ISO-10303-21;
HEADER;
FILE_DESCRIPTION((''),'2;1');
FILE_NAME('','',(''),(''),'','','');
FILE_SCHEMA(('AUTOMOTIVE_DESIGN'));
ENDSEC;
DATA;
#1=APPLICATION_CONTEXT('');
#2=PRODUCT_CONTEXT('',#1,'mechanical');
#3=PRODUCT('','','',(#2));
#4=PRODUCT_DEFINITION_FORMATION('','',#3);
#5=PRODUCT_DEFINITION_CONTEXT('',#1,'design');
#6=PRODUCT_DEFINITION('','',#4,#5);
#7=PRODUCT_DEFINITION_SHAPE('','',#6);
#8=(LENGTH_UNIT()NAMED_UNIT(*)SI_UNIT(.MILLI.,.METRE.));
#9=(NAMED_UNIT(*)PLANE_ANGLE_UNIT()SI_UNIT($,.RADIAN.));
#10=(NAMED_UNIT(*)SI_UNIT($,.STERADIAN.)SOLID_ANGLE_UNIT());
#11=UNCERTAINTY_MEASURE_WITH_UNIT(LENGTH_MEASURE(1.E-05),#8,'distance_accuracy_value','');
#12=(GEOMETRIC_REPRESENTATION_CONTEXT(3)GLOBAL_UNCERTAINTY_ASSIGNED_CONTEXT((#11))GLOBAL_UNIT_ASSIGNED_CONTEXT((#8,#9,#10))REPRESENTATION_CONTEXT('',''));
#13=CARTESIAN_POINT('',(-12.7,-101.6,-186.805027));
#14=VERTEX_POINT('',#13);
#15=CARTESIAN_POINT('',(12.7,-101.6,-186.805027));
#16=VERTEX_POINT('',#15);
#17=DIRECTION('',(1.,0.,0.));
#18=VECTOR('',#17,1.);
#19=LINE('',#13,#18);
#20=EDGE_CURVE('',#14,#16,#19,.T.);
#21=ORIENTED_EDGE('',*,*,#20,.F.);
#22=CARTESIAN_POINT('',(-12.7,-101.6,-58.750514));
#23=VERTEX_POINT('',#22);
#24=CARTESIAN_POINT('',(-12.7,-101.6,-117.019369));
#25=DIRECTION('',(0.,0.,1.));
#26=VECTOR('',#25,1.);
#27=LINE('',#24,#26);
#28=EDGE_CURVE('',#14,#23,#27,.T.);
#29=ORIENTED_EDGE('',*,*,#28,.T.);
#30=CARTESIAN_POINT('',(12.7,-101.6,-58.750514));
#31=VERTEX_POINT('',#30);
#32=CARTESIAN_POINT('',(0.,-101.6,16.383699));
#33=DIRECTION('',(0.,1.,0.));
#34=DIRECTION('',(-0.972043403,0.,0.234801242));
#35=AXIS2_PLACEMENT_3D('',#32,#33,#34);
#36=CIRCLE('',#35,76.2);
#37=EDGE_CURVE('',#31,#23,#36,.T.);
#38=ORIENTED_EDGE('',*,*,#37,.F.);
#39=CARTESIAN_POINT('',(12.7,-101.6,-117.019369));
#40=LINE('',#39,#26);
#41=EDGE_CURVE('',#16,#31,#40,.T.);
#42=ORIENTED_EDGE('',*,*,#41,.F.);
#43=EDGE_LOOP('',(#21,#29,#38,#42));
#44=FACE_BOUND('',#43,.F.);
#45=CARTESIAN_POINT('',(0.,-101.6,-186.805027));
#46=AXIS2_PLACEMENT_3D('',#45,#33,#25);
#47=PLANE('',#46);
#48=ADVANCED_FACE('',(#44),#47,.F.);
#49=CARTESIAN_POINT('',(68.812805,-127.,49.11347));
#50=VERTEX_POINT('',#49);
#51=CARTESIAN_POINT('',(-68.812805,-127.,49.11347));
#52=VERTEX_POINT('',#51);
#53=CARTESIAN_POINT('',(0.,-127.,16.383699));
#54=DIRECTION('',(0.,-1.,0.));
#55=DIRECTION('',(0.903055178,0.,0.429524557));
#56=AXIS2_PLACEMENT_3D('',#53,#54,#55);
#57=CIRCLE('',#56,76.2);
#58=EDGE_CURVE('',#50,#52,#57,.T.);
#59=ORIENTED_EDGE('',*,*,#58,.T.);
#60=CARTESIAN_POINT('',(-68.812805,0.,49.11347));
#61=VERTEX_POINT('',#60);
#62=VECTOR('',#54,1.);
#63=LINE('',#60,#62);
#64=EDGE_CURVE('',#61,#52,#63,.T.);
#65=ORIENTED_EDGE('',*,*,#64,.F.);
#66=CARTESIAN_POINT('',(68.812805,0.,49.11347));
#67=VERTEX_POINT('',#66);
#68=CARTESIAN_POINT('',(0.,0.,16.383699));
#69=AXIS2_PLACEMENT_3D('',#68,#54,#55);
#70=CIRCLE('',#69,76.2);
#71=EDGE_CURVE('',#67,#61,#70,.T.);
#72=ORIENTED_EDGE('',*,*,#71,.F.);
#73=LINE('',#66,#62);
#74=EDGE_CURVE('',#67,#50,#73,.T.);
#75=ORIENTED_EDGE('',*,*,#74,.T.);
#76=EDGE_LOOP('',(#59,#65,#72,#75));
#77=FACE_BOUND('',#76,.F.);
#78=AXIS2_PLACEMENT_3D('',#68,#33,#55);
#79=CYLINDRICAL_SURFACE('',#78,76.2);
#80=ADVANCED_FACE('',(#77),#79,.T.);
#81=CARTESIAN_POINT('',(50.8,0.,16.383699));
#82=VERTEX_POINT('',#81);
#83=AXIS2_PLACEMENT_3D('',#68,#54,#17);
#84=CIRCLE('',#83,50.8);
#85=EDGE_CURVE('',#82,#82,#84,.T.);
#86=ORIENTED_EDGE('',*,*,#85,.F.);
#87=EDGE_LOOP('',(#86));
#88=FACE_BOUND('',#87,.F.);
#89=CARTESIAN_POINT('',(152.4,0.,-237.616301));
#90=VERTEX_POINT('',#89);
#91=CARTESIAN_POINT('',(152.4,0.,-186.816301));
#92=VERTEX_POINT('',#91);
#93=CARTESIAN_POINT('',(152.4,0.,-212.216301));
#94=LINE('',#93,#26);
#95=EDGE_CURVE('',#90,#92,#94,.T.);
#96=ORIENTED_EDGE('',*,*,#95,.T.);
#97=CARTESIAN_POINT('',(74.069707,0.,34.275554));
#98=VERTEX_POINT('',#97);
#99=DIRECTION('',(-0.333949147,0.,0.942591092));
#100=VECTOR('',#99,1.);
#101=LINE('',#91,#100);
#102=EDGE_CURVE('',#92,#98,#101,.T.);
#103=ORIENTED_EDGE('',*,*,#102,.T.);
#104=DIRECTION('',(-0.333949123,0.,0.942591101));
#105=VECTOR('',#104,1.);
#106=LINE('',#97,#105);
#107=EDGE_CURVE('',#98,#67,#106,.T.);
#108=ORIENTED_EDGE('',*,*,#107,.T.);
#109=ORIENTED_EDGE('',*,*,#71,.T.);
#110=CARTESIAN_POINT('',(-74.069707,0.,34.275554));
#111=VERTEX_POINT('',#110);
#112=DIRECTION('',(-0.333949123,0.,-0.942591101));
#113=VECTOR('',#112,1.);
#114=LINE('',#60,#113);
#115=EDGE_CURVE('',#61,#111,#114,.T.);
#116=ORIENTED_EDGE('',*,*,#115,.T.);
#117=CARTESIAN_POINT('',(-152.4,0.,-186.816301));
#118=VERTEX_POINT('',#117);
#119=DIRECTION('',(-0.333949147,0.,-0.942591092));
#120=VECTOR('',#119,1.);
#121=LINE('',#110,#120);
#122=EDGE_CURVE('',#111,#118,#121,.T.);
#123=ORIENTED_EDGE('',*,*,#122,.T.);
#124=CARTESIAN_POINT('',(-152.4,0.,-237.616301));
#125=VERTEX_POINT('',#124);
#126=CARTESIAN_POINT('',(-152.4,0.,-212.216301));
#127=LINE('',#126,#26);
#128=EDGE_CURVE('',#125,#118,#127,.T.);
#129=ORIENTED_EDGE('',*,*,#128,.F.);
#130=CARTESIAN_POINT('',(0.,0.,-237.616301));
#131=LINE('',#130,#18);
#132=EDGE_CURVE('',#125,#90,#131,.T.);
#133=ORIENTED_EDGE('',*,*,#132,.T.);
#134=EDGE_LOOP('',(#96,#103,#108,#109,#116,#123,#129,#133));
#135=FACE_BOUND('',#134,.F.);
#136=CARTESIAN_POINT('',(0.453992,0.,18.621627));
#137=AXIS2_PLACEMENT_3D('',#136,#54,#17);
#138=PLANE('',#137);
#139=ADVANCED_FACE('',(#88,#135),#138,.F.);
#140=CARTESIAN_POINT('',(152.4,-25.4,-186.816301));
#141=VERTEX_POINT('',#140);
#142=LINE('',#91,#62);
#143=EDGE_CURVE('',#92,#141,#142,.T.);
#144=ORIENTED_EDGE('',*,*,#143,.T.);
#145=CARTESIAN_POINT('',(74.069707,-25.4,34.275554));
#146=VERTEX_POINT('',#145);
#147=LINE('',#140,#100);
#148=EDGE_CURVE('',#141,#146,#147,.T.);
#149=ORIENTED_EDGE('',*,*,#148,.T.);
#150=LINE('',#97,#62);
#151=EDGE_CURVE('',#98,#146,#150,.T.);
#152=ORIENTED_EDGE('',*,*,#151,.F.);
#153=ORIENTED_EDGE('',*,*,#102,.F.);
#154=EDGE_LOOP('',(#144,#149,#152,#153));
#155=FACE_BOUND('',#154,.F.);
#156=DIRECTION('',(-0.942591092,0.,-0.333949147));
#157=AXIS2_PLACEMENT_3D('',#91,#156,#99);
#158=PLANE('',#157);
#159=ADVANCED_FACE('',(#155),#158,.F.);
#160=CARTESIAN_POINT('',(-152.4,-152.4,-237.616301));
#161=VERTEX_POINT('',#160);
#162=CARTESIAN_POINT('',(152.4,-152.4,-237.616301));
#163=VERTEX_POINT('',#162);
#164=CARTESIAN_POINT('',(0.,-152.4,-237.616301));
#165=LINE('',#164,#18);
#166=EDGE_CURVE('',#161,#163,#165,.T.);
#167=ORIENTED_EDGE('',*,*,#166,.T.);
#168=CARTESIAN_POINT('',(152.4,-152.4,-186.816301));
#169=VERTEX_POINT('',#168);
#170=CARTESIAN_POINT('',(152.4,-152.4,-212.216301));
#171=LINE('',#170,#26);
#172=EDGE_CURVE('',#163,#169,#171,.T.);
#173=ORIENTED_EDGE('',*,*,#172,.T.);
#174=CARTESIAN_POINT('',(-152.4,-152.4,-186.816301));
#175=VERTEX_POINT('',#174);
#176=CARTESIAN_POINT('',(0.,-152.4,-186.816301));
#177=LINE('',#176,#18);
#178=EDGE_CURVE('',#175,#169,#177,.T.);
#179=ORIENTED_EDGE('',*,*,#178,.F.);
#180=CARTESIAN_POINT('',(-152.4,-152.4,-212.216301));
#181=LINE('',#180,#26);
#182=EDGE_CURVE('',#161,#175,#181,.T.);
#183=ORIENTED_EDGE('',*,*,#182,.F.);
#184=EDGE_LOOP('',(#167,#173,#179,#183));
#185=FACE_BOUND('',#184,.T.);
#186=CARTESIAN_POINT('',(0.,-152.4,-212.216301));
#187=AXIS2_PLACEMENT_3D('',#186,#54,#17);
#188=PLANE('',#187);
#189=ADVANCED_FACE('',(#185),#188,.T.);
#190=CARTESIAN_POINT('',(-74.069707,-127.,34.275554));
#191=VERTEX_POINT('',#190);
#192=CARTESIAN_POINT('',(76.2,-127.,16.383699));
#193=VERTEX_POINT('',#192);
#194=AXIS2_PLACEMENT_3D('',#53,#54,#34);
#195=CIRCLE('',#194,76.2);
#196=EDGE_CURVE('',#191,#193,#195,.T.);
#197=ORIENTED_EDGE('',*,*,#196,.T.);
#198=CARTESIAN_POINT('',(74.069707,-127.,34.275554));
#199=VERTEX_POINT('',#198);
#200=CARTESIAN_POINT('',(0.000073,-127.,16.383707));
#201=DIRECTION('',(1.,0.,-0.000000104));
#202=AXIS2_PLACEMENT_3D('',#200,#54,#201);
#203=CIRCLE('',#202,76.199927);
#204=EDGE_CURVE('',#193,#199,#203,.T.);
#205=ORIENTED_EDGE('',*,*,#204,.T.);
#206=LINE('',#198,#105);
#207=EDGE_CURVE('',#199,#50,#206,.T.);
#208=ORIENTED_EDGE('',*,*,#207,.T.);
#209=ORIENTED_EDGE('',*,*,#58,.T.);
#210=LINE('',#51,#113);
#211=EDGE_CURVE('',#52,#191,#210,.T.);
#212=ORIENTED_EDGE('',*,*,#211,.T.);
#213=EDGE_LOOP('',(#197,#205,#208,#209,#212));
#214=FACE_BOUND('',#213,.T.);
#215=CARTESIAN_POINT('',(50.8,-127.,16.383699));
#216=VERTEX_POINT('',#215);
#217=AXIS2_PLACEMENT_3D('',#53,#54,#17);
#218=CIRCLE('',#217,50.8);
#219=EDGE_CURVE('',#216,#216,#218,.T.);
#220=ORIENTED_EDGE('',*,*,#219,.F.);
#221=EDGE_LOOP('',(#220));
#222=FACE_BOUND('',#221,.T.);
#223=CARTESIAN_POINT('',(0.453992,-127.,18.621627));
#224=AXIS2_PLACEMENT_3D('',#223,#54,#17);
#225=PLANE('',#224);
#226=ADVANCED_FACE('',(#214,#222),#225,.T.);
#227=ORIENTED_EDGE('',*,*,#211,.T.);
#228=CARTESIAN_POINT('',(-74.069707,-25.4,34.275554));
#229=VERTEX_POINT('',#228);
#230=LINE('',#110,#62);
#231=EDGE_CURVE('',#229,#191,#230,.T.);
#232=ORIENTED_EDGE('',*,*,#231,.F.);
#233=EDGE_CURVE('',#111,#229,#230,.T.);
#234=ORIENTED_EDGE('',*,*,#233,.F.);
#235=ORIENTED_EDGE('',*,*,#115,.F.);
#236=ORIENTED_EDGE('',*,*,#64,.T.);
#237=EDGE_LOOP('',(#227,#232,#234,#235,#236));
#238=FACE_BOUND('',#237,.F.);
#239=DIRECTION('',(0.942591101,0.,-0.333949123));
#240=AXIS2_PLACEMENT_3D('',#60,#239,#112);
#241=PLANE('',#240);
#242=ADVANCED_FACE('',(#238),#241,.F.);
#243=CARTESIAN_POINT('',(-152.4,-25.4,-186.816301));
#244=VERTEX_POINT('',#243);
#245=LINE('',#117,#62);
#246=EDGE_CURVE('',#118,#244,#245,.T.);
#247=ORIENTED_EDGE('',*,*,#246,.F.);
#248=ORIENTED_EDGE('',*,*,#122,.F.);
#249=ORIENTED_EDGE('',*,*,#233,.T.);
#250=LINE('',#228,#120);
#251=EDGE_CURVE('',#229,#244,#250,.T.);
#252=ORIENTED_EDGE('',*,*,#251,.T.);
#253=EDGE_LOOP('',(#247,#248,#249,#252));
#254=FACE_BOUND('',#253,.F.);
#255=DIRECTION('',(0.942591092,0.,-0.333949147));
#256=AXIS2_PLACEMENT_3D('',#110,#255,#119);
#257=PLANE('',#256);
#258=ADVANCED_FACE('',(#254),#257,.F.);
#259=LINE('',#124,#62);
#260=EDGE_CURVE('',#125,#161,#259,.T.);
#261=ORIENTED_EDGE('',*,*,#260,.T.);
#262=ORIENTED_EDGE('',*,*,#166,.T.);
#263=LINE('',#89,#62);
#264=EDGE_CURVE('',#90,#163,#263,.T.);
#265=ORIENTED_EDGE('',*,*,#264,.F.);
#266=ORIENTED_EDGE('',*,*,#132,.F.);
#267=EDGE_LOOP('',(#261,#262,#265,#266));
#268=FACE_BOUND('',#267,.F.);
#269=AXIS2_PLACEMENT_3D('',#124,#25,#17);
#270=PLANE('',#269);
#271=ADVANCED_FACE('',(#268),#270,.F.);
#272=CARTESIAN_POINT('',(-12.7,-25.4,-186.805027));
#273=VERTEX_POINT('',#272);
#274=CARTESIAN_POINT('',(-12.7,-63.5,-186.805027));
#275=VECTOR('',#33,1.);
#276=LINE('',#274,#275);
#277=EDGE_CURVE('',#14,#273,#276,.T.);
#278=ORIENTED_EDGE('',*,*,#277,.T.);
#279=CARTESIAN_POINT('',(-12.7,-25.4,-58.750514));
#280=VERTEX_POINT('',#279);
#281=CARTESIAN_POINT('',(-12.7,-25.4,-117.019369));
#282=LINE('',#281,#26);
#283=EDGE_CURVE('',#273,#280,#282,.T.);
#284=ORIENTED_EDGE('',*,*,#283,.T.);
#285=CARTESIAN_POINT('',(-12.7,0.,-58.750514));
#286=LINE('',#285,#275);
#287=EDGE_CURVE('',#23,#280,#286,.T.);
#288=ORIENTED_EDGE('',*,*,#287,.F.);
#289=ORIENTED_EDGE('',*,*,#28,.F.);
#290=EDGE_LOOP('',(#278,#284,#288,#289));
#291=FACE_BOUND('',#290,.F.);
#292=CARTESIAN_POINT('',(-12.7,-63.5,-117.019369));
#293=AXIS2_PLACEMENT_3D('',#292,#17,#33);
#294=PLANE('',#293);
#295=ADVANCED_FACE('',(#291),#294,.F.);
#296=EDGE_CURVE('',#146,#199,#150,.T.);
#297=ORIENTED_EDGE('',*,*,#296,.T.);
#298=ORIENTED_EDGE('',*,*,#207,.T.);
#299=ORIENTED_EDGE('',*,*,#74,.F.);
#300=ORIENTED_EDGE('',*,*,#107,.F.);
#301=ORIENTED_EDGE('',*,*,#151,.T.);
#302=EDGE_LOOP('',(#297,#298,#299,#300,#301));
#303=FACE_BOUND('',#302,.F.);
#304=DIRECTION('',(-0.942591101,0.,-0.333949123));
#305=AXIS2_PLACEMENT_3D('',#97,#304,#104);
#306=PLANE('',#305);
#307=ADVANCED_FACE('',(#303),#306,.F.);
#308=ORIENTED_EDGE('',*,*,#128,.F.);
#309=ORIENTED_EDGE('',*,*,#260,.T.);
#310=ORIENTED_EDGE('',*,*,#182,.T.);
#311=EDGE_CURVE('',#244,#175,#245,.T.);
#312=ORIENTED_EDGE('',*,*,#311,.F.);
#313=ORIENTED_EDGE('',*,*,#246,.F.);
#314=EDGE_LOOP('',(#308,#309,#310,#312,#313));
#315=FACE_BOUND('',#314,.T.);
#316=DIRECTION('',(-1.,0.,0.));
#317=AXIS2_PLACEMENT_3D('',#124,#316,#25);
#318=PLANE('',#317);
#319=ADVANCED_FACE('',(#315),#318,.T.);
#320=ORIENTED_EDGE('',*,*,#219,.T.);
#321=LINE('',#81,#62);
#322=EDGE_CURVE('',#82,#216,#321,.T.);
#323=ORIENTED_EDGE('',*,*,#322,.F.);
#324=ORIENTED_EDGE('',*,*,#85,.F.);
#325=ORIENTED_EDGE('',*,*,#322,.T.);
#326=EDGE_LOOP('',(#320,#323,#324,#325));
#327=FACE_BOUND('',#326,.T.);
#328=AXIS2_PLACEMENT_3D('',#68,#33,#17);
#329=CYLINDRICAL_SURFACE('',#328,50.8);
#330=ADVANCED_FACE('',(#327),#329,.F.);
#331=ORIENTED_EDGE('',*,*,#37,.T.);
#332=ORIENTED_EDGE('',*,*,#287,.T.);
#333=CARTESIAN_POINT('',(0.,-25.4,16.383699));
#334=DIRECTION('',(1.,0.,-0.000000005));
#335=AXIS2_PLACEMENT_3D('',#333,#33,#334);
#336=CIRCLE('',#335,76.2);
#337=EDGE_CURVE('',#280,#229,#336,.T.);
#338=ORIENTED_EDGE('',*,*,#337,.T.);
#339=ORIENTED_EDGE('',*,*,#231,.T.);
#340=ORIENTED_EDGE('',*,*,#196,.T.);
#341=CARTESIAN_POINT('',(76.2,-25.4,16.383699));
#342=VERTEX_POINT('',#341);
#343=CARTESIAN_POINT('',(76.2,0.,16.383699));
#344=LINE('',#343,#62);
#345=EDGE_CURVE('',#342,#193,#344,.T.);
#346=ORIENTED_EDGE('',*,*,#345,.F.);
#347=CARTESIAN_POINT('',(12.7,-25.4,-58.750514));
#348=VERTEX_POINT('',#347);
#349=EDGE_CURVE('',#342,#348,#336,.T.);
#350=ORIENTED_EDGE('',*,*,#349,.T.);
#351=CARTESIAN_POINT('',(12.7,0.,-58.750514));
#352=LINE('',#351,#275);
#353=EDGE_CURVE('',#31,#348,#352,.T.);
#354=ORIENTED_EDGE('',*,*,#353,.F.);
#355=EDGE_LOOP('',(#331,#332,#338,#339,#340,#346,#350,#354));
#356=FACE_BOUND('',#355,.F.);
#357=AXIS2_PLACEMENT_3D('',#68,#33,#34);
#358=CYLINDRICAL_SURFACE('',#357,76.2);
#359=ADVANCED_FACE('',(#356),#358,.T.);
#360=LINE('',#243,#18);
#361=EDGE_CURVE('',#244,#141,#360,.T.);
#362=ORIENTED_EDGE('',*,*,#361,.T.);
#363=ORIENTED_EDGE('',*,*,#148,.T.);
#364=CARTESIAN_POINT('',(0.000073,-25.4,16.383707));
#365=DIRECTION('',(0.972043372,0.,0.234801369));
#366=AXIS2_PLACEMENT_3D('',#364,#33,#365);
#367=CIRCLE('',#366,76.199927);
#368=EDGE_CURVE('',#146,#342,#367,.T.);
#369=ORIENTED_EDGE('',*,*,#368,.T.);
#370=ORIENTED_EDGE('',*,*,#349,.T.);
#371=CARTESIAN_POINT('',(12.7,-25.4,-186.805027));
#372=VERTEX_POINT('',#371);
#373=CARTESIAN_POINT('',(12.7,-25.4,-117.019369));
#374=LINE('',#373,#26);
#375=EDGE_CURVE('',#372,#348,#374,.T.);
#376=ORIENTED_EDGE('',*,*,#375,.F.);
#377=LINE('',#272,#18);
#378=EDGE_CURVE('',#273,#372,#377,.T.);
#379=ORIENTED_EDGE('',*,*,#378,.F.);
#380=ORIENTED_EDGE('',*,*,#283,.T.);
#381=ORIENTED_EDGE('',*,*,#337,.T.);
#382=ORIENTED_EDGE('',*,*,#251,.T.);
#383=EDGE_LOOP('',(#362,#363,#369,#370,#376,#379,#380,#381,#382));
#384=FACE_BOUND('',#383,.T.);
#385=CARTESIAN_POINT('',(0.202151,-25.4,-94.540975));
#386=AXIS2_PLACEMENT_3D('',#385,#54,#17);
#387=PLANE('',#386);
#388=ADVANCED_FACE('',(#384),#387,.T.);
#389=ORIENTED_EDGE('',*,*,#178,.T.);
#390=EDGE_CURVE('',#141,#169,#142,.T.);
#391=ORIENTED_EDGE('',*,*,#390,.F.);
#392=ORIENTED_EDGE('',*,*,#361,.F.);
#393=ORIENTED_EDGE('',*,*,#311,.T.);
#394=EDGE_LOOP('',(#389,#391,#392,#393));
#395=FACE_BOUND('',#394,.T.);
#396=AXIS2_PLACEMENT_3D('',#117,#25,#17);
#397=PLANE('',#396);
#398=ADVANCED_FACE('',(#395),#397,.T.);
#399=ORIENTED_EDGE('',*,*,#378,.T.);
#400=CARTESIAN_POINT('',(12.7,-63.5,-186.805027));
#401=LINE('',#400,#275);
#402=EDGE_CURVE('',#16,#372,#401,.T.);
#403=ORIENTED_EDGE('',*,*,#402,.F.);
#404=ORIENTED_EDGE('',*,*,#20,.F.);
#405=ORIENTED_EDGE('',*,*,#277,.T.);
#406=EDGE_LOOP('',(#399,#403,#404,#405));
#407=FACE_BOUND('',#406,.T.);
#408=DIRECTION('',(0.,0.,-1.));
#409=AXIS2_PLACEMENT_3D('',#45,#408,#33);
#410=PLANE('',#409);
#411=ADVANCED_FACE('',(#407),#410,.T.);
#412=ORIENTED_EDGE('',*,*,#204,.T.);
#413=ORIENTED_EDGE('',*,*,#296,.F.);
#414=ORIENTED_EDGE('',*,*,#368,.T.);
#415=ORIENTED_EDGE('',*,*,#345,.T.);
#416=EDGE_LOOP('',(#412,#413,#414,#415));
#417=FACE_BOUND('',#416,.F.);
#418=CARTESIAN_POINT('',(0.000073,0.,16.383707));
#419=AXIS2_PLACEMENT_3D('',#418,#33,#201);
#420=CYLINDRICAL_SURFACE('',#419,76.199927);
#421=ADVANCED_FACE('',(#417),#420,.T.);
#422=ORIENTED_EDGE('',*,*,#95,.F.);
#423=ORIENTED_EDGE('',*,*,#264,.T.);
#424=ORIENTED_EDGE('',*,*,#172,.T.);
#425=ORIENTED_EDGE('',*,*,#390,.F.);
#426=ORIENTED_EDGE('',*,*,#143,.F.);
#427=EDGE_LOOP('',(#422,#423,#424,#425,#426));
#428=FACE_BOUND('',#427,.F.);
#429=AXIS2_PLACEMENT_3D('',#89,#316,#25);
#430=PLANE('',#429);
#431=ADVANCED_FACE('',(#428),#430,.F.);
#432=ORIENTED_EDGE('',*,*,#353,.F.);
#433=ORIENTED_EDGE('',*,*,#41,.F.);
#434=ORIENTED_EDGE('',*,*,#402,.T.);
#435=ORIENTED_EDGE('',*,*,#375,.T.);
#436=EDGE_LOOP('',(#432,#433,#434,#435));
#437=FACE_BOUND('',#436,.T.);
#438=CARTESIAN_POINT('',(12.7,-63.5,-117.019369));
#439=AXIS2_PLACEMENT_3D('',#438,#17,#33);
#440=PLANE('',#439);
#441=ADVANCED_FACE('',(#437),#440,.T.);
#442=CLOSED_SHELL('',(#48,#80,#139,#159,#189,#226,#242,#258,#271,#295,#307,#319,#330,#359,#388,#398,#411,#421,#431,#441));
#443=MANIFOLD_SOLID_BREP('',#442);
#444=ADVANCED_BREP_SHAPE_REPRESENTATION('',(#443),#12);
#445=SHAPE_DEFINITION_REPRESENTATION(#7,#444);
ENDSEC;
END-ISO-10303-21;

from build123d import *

# Parameters (mm, degrees)
F1_DEPTH = 25.4
F0_W     = 304.8
F0_H     = 50.8
F2_DEPTH = 152.4
F0_R     = 50.8
F3_DEPTH = 127
F4_W     = 76.2
F4_H     = 139.571316
F5_DEPTH = 12.7


with BuildPart() as f1:
    # F0 (on Front) → F1 (new body)
    with BuildSketch(Plane.XZ):
        with BuildLine():
            Line((-74.069707, 34.275554), (-152.4, -186.816301))
            Line((-152.4, -186.816301), (152.4, -186.816301))
            Line((152.4, -186.816301), (74.069707, 34.275554))
            ThreePointArc((74.069707, 34.275554), (75.665553, 25.392814), (76.2, 16.383699))
            ThreePointArc((76.2, 16.383699), (-9.009115, -59.281853), (-74.069707, 34.275554))
        make_face()
    extrude(amount=F1_DEPTH)

    # F0 (on Front) → F2 (join)
    with BuildSketch(Plane.XZ):
        with Locations((0, -212.216301)):
            Rectangle(F0_W, F0_H)
    extrude(amount=F2_DEPTH)

    # F0 (on Front) → F3 (join)
    with BuildSketch(Plane.XZ):
        with BuildLine():
            Line((-68.812805, 49.11347), (-74.069707, 34.275554))
            ThreePointArc((-74.069707, 34.275554), (-9.009115, -59.281853), (76.2, 16.383699))
            ThreePointArc((76.2, 16.383699), (75.665553, 25.392814), (74.069707, 34.275554))
            Line((74.069707, 34.275554), (68.812805, 49.11347))
            ThreePointArc((68.812805, 49.11347), (0, 92.583699), (-68.812805, 49.11347))
        make_face()
        with Locations((0, 16.383699)):
            Circle(F0_R, mode=Mode.SUBTRACT)
    extrude(amount=F3_DEPTH)

    # F4 (on Right) → F5 (join, symmetric)
    with BuildSketch(Plane.YZ):
        with Locations((-63.5, -117.019369)):
            Rectangle(F4_W, F4_H)
    extrude(amount=F5_DEPTH, both=True)


solid = f1.part
